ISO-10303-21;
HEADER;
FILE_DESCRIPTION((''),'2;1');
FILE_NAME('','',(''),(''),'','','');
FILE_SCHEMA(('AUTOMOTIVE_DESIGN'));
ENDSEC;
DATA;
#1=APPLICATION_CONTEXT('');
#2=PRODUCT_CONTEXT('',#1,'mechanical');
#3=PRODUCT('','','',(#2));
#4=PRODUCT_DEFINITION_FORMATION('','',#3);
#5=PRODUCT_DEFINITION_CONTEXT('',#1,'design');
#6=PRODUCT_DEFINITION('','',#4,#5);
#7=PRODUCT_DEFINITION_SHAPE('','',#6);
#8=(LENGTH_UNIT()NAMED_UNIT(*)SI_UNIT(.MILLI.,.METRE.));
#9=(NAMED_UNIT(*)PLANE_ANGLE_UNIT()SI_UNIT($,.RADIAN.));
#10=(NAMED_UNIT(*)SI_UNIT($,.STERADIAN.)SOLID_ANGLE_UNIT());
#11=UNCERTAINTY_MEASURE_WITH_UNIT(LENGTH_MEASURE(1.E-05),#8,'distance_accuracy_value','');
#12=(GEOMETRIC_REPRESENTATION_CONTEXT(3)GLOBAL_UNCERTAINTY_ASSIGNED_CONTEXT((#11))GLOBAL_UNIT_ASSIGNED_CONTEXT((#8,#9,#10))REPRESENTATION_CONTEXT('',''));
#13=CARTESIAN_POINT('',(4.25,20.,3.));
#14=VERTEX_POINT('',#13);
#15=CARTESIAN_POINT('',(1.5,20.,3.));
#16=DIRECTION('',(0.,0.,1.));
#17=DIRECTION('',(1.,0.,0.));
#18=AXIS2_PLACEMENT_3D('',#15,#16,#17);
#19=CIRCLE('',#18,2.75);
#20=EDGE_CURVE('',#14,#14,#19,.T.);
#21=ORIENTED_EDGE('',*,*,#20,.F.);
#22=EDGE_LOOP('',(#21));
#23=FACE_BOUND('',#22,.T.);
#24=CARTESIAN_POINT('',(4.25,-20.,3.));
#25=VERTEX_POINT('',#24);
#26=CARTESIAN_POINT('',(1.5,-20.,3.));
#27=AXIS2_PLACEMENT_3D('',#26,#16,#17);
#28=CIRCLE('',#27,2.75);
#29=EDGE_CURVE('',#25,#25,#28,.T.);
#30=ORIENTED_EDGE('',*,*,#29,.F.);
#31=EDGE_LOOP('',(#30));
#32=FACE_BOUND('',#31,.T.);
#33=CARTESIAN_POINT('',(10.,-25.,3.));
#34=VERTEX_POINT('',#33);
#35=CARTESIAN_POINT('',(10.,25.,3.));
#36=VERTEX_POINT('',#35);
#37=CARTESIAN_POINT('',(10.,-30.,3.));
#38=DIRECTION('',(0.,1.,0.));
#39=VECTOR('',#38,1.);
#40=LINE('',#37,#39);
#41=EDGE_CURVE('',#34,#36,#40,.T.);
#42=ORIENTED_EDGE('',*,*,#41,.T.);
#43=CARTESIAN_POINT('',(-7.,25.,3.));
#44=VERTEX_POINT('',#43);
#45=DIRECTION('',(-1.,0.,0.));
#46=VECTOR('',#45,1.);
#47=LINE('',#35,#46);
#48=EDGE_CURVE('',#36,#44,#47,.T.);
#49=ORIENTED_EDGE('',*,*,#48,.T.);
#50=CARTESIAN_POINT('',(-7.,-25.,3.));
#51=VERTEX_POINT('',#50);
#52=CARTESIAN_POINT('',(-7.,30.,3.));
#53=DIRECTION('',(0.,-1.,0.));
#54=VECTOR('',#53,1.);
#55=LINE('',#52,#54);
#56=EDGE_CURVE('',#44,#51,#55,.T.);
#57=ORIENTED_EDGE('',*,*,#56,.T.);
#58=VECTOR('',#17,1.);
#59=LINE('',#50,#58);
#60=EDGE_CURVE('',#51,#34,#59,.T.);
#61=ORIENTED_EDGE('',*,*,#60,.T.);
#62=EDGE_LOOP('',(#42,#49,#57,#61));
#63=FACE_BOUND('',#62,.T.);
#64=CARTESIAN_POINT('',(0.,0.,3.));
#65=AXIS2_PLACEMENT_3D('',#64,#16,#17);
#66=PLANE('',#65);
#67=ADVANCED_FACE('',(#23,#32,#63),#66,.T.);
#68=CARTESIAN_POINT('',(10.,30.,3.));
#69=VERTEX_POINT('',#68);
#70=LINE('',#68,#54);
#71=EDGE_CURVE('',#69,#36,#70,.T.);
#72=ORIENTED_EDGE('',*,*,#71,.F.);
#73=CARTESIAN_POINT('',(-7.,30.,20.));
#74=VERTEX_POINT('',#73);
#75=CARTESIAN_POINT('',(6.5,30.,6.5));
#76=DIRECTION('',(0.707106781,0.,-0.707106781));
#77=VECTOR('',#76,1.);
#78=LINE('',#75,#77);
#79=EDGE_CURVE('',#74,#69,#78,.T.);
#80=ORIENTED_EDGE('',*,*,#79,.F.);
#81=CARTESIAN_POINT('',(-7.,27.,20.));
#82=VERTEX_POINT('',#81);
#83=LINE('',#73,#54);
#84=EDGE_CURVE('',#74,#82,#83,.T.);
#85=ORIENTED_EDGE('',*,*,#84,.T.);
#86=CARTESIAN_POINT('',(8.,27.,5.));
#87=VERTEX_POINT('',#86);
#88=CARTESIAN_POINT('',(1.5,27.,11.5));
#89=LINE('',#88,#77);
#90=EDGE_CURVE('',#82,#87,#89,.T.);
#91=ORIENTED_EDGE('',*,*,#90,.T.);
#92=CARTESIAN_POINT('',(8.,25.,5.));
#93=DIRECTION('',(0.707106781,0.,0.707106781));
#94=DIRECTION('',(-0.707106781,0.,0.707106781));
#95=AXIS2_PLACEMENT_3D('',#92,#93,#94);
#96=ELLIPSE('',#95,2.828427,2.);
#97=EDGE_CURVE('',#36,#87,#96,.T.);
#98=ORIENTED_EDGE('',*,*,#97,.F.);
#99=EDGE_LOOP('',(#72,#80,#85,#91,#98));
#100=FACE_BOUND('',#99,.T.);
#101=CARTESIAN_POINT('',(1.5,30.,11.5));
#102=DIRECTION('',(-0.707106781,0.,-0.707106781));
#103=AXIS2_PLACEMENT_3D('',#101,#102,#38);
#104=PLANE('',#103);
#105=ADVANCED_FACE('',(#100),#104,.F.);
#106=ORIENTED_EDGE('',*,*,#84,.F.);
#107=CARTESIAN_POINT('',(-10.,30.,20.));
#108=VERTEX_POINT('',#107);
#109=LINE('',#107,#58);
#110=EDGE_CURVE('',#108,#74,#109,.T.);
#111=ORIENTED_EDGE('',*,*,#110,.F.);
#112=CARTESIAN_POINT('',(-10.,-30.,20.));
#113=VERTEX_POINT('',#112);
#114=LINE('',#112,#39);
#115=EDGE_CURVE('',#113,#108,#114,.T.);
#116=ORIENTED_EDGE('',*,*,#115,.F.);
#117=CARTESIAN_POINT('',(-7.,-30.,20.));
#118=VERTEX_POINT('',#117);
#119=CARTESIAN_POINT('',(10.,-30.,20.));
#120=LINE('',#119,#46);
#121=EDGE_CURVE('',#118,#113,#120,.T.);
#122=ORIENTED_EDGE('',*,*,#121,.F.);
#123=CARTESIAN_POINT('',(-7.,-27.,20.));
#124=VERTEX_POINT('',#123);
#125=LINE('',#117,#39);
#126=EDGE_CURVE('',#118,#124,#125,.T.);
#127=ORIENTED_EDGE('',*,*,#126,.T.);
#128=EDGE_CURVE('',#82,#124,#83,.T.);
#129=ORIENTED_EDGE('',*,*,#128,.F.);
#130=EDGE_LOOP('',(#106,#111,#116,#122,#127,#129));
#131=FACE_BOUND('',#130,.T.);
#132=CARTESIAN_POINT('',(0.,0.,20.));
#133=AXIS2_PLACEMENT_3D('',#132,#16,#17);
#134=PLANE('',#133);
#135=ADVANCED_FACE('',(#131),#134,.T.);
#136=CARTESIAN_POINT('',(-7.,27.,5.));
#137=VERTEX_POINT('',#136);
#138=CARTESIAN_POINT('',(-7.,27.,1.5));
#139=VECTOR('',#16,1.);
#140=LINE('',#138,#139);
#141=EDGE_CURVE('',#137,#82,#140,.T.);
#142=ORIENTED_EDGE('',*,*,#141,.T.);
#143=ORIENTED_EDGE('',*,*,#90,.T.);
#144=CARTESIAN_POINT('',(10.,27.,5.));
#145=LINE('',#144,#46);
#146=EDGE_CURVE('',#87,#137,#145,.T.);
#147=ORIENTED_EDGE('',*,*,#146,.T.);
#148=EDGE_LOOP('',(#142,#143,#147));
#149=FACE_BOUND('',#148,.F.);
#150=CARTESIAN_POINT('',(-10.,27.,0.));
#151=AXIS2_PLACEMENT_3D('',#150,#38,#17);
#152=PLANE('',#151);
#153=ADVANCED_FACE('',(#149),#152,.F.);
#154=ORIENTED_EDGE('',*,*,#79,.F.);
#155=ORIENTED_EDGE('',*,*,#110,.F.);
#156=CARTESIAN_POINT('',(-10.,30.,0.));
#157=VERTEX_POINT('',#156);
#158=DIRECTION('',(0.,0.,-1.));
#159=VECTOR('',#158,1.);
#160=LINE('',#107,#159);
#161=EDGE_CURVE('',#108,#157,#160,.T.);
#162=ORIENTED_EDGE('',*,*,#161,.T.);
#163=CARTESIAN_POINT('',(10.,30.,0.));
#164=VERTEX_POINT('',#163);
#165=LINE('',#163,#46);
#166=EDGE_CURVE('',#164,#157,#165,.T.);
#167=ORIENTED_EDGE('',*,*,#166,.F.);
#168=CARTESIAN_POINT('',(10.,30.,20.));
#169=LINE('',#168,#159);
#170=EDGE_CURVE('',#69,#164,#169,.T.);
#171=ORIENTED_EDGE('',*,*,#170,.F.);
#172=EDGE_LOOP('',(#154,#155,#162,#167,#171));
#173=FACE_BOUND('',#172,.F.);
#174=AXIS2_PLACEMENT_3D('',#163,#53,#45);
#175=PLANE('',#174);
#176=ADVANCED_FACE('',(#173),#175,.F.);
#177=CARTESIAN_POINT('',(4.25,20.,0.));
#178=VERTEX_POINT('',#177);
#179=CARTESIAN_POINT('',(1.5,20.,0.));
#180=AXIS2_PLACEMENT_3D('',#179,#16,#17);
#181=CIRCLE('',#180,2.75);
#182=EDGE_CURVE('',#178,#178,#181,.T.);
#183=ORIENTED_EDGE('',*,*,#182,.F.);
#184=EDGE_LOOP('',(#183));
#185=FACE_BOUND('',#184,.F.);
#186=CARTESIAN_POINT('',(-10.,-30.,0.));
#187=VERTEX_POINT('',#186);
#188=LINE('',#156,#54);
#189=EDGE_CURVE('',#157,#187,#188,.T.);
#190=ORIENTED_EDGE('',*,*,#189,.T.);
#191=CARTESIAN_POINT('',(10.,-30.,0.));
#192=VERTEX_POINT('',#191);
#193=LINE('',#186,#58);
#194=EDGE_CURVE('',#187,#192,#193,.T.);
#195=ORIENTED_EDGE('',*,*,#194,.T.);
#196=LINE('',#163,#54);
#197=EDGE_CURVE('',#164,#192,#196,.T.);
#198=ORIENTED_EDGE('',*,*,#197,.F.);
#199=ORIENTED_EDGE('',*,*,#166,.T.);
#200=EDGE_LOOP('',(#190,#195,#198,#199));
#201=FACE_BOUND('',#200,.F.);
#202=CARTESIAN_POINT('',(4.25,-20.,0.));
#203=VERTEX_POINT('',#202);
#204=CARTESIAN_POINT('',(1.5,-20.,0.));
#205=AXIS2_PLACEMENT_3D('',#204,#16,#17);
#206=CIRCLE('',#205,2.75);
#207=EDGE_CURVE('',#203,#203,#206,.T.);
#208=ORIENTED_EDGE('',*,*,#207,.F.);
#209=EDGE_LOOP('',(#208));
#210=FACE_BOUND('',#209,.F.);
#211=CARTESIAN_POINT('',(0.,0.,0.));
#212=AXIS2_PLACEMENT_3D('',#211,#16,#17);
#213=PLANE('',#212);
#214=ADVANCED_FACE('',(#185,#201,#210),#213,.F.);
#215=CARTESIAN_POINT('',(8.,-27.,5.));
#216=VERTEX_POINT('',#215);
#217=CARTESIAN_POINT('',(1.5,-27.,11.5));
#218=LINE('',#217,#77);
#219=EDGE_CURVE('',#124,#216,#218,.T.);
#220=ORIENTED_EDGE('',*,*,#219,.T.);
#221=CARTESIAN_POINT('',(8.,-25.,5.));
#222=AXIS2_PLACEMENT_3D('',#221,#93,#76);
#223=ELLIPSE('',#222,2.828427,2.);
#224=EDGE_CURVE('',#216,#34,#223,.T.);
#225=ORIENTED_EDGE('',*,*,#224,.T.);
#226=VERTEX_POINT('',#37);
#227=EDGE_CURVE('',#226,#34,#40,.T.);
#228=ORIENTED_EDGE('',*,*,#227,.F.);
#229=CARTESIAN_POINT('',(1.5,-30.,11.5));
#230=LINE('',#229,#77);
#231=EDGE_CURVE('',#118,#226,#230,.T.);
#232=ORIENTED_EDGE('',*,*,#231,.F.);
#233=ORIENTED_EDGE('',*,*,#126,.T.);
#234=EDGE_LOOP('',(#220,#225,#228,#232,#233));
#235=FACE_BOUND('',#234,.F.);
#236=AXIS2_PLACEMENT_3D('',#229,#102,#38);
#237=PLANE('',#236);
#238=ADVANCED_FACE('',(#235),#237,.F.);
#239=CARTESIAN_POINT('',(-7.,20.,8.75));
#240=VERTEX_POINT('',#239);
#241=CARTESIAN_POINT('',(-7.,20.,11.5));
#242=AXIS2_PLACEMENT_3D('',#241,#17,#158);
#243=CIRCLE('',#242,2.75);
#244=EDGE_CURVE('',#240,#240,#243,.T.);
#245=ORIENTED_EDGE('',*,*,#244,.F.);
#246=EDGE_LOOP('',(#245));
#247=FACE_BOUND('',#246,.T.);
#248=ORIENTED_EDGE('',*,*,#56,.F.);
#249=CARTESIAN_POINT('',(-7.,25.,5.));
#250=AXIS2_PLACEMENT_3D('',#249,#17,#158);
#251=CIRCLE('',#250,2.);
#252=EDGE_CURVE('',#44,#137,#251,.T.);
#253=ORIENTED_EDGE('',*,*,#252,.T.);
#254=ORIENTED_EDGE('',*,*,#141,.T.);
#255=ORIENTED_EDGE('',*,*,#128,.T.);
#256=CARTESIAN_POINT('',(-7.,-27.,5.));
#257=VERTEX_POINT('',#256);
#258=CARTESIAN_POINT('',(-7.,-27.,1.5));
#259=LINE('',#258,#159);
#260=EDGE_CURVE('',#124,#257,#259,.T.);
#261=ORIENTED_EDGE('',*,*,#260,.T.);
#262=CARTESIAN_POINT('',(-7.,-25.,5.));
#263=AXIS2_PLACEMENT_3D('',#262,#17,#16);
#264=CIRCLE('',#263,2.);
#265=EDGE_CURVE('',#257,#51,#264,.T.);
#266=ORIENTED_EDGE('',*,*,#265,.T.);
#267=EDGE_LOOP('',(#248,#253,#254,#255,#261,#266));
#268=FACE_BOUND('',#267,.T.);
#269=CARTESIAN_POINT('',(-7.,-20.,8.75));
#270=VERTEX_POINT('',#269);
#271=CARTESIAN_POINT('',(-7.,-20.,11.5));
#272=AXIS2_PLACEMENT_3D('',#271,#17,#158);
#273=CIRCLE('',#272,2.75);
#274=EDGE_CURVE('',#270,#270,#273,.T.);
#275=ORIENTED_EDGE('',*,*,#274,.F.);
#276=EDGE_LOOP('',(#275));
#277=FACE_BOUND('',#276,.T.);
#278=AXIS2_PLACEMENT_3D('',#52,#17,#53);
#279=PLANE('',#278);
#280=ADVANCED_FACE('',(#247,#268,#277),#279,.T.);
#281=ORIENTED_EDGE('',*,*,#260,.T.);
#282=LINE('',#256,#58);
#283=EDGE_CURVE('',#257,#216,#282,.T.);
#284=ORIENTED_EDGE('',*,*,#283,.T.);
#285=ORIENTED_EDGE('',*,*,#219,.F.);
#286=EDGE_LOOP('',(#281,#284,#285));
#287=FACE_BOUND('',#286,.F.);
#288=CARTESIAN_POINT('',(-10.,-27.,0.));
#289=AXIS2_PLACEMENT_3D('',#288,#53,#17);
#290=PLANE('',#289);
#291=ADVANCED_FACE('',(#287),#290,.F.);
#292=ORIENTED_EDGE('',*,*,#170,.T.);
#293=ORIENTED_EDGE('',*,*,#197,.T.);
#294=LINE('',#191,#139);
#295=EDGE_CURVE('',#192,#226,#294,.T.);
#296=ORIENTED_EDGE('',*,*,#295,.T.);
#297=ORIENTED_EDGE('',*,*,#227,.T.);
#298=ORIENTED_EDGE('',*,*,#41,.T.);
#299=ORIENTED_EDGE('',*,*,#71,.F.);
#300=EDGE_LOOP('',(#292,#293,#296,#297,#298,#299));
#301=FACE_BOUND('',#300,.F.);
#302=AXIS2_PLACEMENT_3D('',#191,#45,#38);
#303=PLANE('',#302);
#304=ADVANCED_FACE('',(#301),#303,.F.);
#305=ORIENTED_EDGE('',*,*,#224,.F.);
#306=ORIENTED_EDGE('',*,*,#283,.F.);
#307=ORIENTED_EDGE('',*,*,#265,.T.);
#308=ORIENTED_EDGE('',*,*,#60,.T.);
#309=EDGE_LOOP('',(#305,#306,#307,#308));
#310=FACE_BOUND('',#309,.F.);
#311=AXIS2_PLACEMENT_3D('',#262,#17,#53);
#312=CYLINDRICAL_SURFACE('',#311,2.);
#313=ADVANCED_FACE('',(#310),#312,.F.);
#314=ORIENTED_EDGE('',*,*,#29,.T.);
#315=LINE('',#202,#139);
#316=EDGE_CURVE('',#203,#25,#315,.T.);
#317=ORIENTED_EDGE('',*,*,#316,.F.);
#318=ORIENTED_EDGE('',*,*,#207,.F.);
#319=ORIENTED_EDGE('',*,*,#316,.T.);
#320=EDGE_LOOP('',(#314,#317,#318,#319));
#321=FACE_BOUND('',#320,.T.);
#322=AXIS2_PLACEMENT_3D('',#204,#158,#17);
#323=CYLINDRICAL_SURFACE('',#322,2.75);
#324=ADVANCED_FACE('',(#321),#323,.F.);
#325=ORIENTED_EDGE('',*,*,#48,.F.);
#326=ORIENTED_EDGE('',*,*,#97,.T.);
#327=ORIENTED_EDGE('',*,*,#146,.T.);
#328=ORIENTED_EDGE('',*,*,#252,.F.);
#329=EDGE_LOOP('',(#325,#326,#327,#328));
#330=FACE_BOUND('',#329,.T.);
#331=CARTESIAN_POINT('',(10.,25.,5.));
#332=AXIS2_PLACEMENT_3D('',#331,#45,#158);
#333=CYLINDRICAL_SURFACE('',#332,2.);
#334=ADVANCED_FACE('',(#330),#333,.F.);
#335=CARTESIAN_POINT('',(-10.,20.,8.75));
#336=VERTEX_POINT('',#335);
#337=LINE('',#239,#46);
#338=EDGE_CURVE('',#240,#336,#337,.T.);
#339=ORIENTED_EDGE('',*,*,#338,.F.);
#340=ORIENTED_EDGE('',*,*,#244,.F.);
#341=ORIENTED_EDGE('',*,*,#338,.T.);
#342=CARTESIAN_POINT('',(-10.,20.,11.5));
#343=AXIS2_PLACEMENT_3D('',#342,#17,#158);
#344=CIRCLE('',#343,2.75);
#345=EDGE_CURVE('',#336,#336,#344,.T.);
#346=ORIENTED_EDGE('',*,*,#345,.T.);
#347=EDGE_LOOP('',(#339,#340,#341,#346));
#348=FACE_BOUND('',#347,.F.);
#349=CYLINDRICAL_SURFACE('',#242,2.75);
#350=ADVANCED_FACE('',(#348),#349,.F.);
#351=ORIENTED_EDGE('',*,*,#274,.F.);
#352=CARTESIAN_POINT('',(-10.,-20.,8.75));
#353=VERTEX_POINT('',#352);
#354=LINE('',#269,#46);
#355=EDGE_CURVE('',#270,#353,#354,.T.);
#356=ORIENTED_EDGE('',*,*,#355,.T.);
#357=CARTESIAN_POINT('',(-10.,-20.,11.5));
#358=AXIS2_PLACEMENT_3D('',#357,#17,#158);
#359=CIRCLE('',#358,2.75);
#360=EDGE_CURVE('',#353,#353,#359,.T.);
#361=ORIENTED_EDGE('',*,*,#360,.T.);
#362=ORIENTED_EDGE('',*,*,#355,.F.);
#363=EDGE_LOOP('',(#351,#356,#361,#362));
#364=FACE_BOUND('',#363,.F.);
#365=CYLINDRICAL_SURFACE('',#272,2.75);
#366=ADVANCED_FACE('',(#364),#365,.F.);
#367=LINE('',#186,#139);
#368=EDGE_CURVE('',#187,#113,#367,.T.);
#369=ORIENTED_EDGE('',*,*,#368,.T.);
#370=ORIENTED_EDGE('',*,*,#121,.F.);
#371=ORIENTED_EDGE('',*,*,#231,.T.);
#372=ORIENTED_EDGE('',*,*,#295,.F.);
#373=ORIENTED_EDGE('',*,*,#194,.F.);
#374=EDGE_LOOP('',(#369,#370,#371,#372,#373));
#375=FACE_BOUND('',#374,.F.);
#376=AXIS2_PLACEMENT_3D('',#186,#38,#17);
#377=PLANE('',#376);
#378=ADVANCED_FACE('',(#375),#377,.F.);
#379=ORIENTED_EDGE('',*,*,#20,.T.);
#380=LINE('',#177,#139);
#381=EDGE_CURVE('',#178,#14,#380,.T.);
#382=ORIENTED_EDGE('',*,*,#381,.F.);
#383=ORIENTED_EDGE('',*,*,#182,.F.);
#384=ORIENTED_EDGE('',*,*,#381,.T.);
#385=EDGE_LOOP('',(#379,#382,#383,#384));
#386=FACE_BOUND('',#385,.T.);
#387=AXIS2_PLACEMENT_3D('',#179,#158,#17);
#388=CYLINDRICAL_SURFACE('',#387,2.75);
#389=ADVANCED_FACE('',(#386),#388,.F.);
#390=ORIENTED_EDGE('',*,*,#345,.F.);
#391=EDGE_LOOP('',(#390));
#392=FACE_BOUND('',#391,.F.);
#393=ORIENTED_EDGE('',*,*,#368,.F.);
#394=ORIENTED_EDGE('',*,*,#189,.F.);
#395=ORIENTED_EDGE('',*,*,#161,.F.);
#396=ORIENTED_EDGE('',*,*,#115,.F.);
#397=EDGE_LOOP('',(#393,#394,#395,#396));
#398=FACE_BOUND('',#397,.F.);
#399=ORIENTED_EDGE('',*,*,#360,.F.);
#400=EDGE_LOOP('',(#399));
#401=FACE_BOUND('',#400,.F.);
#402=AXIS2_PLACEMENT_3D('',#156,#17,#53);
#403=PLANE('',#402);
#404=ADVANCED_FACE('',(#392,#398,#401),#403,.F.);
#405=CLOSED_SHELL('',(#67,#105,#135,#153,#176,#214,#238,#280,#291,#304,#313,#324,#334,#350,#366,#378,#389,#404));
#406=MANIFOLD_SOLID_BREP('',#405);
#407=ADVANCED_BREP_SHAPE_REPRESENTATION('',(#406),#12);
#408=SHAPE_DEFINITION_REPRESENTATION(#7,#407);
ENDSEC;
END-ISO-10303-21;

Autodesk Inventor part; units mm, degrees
ref_plane "YZ Plane" through (0, 0, 0) normal (1, 0, 0) x (0, 1, 0)
ref_plane "XZ Plane" through (0, 0, 0) normal (0, 1, 0) x (-1, 0, 0)
ref_plane "XY Plane" through (0, 0, 0) normal (0, 0, 1) x (1, 0, 0)
sketch "Sketch1" plane through (0, 0, 0) normal (0, 0, 1) x (1, 0, 0)
  line L0 (-10, -30) -> (10, -30)
  line L1 (10, -30) -> (10, 30)
  line L2 (10, 30) -> (-10, 30)
  line L3 (-10, 30) -> (-10, -30)
  line L4 (-10, -30) -> (10, 30) construction
  line L5 (10, -30) -> (-10, 30) construction
  circle A0 centre (1.5, 20) radius 2.75
  circle A1 centre (1.5, -20) radius 2.75
  point P0 (0, 0)
  dimension "d0" = 20
  dimension "d1" = 60
  dimension "d20" = 5.5
  dimension "d21" = 5.5
  dimension "d22" = 10
  dimension "d23" = 8.5
  dimension "d24" = 8.5
  dimension "d25" = 10
extrude "Extrusion1" add sketch "Sketch1" along normal blind 3
sketch "Sketch2" plane through (0, 0, 3) normal (0, 0, 1) x (1, 0, 0)
  line L0 (10, 30) -> (-10, 30) projected
  line L1 (-10, 30) -> (-7, 30)
  line L2 (-7, 30) -> (-7, -30)
  line L3 (-7, -30) -> (-10, -30)
  line L4 (-10, -30) -> (-10, 30)
  point P0 (0, 0)
  dimension "d4" = 3
  dimension "d5" = 60
extrude "Extrusion2" add sketch "Sketch2" along normal blind 17
sketch "Sketch3" plane through (-10, 30, 0) normal (0, 1, 0) x (1, 0, 0)
  line L0 (0, 0) -> (20, 0)
  line L1 (20, 0) -> (20, -20)
  line L2 (20, -20) -> (0, -20)
  line L3 (0, -20) -> (0, 0)
  point P0 (10, 0)
  dimension "d8" = 20
  dimension "d9" = 20
extrude "Extrusion3" add sketch "Sketch3" against normal blind 3
sketch "Sketch4" plane through (-10, -30, 0) normal (0, -1, 0) x (1, 0, 0)
  line L0 (0, 0) -> (20, 0)
  line L1 (20, 0) -> (20, 20)
  line L2 (20, 20) -> (0, 20)
  line L3 (0, 20) -> (0, 0)
  point P0 (10, 0)
  dimension "d12" = 20
  dimension "d13" = 20
extrude "Extrusion4" add sketch "Sketch4" against normal blind 3
chamfer "Chamfer1" distance 17 angle 45 2 edges at (10, -28.5, 20) (10, 28.5, 20)
fillet "Fillet1" radius 2 2 edges at (1.5, 27, 3) (1.5, -27, 3)
sketch "Sketch5" plane through (-7, -27, 20) normal (1, 0, 0) x (0, 0, -1)
  circle A0 centre (8.5, 7) radius 2.75
  circle A1 centre (8.5, 47) radius 2.75
  line L0 (17, 57) -> (0, 57) projected
  line L1 (0, 0) -> (0, 54) projected
  line L2 (0, -3) -> (17, -3) projected
  point P0 (20, 27)
  dimension "d26" = 5.5
  dimension "d27" = 5.5
  dimension "d28" = 10
  dimension "d29" = 8.5
  dimension "d30" = 8.5
  dimension "d31" = 10
extrude "Extrusion5" cut sketch "Sketch5" against normal blind 3
properties part number "2060 Custom Bracing" material "Aluminum 6061"
